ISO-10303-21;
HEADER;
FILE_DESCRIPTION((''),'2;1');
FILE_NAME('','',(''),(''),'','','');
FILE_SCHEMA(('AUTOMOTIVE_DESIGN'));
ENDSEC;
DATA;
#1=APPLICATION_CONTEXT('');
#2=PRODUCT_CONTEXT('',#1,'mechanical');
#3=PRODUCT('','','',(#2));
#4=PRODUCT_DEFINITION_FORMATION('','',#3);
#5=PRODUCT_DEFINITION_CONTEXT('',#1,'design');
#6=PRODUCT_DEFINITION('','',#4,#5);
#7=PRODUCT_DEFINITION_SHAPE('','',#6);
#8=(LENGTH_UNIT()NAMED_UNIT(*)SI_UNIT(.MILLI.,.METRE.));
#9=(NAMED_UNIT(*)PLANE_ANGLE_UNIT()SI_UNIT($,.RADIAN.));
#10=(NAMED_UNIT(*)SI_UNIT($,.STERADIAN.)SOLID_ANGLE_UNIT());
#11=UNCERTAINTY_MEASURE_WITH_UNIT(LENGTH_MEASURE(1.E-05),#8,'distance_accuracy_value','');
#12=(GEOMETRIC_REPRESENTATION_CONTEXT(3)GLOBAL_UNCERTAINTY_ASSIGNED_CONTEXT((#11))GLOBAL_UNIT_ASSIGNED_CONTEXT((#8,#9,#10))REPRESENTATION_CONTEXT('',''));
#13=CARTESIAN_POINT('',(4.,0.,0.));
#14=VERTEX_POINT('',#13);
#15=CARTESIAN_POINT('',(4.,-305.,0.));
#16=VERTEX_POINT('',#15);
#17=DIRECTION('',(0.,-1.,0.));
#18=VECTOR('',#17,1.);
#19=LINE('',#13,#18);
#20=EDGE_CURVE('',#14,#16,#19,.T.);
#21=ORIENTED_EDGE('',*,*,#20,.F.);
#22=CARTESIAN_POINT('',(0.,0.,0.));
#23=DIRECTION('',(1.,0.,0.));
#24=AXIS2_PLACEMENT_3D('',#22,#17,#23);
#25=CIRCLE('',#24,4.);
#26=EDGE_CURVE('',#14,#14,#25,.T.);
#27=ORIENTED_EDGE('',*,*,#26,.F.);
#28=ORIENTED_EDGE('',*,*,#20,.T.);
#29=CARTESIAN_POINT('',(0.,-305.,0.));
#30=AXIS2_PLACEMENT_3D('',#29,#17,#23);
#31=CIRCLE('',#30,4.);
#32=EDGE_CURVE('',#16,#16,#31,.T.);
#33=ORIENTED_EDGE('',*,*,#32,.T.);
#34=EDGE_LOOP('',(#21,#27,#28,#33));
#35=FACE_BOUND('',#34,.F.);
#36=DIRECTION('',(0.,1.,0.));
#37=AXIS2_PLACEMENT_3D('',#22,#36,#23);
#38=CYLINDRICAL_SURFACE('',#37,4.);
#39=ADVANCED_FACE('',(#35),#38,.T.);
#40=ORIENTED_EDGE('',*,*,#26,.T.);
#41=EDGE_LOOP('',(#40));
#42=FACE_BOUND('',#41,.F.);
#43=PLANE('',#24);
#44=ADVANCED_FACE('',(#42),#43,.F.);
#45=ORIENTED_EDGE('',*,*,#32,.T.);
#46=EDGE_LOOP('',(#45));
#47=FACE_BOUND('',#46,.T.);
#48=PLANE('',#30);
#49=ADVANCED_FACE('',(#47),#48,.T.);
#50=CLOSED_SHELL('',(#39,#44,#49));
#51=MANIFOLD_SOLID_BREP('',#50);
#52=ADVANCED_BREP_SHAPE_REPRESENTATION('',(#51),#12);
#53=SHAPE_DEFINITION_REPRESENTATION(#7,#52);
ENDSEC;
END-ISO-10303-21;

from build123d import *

# Parameters (mm, degrees)
SKETCH_R  = 4
PAD_DEPTH = 305


with BuildPart() as part:
    # Sketch → Pad (new body)
    with BuildSketch(Plane.XZ):
        Circle(SKETCH_R)
    extrude(amount=PAD_DEPTH)


solid = part.part
